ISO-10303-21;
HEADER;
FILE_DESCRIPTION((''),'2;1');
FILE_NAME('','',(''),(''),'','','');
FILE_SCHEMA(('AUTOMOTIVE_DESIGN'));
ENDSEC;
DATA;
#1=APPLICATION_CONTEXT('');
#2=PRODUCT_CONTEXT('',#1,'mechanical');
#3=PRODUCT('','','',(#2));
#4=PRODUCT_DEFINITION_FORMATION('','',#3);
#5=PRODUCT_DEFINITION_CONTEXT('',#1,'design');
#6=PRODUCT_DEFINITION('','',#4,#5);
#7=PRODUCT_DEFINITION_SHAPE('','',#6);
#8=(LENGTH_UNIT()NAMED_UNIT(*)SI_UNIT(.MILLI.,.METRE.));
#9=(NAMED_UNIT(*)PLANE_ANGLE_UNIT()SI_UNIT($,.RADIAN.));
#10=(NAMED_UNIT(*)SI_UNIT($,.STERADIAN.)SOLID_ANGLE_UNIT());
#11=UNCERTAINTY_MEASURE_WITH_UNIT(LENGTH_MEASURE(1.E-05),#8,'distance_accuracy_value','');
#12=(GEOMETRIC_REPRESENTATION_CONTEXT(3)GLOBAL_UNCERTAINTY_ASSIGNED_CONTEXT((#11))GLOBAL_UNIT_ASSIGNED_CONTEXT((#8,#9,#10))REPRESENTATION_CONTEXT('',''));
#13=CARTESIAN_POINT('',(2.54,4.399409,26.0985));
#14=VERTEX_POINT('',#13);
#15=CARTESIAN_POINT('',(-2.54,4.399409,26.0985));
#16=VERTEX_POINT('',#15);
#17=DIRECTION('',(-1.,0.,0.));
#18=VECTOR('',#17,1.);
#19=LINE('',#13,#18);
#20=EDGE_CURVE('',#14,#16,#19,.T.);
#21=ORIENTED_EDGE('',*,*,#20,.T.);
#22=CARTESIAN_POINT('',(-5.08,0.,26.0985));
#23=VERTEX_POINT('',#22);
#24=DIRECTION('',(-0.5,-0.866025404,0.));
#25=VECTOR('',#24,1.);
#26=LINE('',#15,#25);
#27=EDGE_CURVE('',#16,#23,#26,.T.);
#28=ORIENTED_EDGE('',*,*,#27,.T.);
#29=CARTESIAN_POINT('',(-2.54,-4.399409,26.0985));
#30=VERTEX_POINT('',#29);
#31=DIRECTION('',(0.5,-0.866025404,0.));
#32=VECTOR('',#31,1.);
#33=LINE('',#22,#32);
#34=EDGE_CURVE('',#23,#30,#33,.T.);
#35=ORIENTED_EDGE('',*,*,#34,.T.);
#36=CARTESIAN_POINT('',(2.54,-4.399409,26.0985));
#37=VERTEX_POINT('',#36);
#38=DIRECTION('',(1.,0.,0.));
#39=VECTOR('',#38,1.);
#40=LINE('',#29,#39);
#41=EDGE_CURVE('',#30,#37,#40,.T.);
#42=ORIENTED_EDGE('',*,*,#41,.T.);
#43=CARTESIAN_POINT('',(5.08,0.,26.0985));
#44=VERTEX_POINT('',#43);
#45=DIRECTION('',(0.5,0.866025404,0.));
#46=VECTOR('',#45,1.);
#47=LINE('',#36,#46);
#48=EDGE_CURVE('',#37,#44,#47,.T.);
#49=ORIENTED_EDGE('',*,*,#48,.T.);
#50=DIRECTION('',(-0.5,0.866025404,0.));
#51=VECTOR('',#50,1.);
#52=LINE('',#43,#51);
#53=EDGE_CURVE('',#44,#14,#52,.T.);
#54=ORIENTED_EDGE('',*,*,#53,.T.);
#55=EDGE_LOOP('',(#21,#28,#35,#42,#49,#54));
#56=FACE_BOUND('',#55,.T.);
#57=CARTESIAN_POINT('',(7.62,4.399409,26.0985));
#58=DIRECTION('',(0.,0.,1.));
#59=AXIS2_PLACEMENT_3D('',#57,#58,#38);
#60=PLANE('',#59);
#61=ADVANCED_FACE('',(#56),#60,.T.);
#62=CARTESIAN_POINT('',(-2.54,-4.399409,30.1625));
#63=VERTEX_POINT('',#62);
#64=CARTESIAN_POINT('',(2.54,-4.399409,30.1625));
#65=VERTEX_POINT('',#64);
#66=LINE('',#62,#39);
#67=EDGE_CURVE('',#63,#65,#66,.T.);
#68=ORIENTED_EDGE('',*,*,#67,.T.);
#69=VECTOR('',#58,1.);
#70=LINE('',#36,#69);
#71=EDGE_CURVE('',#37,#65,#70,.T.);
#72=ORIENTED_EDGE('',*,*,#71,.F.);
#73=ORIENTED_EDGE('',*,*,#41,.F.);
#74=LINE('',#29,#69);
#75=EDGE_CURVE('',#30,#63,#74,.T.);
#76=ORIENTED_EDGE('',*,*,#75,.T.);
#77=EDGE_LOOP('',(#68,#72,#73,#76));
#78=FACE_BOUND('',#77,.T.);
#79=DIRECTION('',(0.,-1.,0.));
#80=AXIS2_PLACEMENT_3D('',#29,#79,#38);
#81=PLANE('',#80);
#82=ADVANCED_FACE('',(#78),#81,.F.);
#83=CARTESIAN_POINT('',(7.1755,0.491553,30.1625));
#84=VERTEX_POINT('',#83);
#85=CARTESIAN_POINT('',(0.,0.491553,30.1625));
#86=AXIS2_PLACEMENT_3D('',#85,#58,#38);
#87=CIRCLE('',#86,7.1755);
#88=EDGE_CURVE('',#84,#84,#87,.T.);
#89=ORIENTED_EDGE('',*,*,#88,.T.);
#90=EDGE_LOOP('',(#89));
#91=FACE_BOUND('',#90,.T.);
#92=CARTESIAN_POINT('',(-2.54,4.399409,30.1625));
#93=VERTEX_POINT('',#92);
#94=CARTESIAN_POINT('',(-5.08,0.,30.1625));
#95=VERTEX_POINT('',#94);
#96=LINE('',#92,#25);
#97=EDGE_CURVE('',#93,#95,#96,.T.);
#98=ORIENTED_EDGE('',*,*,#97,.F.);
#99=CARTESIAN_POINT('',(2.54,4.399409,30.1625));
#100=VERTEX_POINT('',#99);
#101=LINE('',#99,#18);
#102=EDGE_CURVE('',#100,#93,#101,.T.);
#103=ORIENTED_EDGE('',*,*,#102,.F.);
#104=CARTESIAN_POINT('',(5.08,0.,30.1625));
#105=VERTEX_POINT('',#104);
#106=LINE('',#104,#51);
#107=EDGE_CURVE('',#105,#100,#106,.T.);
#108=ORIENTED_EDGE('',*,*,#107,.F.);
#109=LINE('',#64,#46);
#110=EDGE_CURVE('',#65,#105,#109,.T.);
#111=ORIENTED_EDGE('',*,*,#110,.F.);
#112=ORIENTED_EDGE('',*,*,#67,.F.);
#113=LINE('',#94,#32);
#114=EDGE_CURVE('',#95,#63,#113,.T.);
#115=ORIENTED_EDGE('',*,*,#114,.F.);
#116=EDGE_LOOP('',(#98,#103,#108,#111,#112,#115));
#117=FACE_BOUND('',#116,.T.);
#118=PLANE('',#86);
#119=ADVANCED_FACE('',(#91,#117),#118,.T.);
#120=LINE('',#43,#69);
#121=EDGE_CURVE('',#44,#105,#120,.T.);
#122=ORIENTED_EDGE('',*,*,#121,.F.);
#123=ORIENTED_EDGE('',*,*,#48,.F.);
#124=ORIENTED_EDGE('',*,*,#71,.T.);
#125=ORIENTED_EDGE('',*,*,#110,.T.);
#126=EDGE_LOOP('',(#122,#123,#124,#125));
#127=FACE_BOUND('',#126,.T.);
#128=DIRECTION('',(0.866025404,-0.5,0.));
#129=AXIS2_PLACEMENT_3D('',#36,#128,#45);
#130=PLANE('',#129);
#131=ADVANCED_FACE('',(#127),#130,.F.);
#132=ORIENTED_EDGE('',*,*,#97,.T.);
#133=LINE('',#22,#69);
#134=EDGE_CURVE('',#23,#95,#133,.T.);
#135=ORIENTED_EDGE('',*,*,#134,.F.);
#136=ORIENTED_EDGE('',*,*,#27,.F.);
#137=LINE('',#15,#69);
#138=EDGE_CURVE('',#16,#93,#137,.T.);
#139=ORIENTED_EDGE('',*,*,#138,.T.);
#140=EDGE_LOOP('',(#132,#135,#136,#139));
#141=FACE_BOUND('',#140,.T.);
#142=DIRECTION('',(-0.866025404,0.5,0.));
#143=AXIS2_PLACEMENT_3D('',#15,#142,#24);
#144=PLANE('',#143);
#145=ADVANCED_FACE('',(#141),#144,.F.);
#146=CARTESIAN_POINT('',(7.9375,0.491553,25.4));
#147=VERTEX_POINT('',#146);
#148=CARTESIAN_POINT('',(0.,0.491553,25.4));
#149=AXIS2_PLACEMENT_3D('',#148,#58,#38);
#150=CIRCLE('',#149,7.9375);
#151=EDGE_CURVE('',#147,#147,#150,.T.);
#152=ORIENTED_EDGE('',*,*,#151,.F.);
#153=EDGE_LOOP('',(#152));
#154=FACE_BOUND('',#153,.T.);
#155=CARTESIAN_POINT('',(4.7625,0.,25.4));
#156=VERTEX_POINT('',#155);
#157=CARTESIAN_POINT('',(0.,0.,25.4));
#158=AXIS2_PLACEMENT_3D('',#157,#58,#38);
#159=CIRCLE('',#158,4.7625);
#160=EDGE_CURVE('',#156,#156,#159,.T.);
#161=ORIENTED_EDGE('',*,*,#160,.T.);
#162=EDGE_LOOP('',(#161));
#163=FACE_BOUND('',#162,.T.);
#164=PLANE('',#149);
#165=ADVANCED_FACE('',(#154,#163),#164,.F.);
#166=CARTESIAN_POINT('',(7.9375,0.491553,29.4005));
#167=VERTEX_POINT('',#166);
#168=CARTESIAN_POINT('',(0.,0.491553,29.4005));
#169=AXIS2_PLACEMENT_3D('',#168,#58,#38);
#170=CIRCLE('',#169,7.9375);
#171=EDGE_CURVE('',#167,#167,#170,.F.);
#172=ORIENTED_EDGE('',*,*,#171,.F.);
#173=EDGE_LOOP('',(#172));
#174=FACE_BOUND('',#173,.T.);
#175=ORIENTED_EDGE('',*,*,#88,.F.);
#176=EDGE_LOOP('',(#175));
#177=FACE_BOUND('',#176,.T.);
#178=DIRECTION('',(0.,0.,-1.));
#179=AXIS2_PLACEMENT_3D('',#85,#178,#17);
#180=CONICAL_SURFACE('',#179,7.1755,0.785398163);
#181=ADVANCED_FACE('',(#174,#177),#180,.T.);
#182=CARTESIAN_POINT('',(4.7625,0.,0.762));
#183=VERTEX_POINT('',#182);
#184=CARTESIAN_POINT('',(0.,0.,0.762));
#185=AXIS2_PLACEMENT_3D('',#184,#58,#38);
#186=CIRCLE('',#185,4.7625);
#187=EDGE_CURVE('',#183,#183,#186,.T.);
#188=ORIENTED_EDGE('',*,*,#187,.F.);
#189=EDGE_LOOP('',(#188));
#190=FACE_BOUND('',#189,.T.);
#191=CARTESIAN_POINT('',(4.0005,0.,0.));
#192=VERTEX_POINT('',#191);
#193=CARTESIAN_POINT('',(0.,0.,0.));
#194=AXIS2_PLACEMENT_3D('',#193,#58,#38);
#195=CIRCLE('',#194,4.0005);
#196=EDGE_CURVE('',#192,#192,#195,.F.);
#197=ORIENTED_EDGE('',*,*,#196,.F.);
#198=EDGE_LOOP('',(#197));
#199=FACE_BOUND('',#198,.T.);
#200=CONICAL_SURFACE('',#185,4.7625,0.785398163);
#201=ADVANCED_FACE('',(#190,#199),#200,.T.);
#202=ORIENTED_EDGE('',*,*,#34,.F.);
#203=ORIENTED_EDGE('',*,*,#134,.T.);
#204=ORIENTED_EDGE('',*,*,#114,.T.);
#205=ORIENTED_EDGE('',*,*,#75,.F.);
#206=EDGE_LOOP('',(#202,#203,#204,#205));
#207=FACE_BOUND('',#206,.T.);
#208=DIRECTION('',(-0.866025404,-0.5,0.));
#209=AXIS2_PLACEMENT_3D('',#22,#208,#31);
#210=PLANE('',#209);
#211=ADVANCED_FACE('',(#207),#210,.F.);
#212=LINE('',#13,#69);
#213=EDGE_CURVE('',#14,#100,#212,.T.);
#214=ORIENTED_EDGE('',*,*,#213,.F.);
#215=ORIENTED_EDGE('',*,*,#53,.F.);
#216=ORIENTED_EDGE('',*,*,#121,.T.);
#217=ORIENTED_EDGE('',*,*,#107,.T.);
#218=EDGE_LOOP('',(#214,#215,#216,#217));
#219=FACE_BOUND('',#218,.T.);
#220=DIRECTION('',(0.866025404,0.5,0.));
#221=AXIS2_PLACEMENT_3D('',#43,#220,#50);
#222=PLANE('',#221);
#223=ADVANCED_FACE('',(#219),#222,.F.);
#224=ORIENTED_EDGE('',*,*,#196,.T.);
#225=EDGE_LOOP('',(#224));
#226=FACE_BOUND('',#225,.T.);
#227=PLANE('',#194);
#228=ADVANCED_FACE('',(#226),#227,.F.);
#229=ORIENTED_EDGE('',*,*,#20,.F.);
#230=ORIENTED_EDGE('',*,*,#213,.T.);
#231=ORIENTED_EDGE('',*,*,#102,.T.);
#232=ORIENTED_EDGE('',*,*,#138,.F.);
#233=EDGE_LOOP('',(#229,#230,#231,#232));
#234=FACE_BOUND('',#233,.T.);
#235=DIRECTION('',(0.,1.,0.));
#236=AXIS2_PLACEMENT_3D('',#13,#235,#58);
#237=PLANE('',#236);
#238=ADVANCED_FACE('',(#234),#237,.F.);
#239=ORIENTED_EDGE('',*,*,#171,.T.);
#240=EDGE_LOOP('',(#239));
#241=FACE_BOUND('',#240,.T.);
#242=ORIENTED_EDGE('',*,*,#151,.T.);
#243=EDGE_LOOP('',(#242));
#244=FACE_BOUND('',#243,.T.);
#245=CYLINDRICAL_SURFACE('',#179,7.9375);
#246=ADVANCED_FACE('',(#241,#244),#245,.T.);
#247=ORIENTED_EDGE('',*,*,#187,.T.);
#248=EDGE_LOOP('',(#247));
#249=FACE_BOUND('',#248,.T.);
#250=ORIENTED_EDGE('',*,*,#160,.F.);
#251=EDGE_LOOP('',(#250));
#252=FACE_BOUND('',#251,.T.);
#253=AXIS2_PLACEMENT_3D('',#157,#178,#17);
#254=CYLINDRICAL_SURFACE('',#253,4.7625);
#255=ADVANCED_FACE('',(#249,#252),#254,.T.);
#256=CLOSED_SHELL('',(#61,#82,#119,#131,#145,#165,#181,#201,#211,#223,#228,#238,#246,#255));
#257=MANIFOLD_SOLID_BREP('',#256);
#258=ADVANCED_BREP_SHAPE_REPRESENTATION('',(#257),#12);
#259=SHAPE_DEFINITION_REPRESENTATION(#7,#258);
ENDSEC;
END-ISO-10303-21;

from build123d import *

# Parameters (mm, degrees)
SKETCH1_R          = 4.7625
EXTRUDE1_DEPTH     = 25.4
SKETCH3_R          = 7.9375
EXTRUDE3_DEPTH     = 4.7625
CHAMFER1_SIZE      = 0.762
CUT_EXTRUDE1_DEPTH = 4.064


with BuildPart() as part:
    # Sketch1 → Extrude1 (new body)
    with BuildSketch(Plane.XY):
        Circle(SKETCH1_R)
    extrude(amount=EXTRUDE1_DEPTH)

    # Sketch3 → Extrude3 (add)
    with BuildSketch(Plane.XY.offset(25.4)):
        with Locations((0, 0.491553118)):
            Circle(SKETCH3_R)
    extrude(amount=EXTRUDE3_DEPTH)

    # Chamfer1
    chamfer1_edges = [part.edges().sort_by_distance(p)[0] for p in [
        (-4.7625, 0, 0),
        (-7.9375, 0.491553118, 30.1625),
    ]]
    chamfer(chamfer1_edges, length=CHAMFER1_SIZE)

    # Sketch4 → Cut-Extrude1 (cut)
    with BuildSketch(Plane.XY.offset(30.1625)):
        Polygon((5.08, 0), (2.54, 4.399409051), (-2.54, 4.399409051), (-5.08, 0), (-2.54, -4.399409051), (2.54, -4.399409051), align=None)
    extrude(amount=-CUT_EXTRUDE1_DEPTH, mode=Mode.SUBTRACT)


solid = part.part
